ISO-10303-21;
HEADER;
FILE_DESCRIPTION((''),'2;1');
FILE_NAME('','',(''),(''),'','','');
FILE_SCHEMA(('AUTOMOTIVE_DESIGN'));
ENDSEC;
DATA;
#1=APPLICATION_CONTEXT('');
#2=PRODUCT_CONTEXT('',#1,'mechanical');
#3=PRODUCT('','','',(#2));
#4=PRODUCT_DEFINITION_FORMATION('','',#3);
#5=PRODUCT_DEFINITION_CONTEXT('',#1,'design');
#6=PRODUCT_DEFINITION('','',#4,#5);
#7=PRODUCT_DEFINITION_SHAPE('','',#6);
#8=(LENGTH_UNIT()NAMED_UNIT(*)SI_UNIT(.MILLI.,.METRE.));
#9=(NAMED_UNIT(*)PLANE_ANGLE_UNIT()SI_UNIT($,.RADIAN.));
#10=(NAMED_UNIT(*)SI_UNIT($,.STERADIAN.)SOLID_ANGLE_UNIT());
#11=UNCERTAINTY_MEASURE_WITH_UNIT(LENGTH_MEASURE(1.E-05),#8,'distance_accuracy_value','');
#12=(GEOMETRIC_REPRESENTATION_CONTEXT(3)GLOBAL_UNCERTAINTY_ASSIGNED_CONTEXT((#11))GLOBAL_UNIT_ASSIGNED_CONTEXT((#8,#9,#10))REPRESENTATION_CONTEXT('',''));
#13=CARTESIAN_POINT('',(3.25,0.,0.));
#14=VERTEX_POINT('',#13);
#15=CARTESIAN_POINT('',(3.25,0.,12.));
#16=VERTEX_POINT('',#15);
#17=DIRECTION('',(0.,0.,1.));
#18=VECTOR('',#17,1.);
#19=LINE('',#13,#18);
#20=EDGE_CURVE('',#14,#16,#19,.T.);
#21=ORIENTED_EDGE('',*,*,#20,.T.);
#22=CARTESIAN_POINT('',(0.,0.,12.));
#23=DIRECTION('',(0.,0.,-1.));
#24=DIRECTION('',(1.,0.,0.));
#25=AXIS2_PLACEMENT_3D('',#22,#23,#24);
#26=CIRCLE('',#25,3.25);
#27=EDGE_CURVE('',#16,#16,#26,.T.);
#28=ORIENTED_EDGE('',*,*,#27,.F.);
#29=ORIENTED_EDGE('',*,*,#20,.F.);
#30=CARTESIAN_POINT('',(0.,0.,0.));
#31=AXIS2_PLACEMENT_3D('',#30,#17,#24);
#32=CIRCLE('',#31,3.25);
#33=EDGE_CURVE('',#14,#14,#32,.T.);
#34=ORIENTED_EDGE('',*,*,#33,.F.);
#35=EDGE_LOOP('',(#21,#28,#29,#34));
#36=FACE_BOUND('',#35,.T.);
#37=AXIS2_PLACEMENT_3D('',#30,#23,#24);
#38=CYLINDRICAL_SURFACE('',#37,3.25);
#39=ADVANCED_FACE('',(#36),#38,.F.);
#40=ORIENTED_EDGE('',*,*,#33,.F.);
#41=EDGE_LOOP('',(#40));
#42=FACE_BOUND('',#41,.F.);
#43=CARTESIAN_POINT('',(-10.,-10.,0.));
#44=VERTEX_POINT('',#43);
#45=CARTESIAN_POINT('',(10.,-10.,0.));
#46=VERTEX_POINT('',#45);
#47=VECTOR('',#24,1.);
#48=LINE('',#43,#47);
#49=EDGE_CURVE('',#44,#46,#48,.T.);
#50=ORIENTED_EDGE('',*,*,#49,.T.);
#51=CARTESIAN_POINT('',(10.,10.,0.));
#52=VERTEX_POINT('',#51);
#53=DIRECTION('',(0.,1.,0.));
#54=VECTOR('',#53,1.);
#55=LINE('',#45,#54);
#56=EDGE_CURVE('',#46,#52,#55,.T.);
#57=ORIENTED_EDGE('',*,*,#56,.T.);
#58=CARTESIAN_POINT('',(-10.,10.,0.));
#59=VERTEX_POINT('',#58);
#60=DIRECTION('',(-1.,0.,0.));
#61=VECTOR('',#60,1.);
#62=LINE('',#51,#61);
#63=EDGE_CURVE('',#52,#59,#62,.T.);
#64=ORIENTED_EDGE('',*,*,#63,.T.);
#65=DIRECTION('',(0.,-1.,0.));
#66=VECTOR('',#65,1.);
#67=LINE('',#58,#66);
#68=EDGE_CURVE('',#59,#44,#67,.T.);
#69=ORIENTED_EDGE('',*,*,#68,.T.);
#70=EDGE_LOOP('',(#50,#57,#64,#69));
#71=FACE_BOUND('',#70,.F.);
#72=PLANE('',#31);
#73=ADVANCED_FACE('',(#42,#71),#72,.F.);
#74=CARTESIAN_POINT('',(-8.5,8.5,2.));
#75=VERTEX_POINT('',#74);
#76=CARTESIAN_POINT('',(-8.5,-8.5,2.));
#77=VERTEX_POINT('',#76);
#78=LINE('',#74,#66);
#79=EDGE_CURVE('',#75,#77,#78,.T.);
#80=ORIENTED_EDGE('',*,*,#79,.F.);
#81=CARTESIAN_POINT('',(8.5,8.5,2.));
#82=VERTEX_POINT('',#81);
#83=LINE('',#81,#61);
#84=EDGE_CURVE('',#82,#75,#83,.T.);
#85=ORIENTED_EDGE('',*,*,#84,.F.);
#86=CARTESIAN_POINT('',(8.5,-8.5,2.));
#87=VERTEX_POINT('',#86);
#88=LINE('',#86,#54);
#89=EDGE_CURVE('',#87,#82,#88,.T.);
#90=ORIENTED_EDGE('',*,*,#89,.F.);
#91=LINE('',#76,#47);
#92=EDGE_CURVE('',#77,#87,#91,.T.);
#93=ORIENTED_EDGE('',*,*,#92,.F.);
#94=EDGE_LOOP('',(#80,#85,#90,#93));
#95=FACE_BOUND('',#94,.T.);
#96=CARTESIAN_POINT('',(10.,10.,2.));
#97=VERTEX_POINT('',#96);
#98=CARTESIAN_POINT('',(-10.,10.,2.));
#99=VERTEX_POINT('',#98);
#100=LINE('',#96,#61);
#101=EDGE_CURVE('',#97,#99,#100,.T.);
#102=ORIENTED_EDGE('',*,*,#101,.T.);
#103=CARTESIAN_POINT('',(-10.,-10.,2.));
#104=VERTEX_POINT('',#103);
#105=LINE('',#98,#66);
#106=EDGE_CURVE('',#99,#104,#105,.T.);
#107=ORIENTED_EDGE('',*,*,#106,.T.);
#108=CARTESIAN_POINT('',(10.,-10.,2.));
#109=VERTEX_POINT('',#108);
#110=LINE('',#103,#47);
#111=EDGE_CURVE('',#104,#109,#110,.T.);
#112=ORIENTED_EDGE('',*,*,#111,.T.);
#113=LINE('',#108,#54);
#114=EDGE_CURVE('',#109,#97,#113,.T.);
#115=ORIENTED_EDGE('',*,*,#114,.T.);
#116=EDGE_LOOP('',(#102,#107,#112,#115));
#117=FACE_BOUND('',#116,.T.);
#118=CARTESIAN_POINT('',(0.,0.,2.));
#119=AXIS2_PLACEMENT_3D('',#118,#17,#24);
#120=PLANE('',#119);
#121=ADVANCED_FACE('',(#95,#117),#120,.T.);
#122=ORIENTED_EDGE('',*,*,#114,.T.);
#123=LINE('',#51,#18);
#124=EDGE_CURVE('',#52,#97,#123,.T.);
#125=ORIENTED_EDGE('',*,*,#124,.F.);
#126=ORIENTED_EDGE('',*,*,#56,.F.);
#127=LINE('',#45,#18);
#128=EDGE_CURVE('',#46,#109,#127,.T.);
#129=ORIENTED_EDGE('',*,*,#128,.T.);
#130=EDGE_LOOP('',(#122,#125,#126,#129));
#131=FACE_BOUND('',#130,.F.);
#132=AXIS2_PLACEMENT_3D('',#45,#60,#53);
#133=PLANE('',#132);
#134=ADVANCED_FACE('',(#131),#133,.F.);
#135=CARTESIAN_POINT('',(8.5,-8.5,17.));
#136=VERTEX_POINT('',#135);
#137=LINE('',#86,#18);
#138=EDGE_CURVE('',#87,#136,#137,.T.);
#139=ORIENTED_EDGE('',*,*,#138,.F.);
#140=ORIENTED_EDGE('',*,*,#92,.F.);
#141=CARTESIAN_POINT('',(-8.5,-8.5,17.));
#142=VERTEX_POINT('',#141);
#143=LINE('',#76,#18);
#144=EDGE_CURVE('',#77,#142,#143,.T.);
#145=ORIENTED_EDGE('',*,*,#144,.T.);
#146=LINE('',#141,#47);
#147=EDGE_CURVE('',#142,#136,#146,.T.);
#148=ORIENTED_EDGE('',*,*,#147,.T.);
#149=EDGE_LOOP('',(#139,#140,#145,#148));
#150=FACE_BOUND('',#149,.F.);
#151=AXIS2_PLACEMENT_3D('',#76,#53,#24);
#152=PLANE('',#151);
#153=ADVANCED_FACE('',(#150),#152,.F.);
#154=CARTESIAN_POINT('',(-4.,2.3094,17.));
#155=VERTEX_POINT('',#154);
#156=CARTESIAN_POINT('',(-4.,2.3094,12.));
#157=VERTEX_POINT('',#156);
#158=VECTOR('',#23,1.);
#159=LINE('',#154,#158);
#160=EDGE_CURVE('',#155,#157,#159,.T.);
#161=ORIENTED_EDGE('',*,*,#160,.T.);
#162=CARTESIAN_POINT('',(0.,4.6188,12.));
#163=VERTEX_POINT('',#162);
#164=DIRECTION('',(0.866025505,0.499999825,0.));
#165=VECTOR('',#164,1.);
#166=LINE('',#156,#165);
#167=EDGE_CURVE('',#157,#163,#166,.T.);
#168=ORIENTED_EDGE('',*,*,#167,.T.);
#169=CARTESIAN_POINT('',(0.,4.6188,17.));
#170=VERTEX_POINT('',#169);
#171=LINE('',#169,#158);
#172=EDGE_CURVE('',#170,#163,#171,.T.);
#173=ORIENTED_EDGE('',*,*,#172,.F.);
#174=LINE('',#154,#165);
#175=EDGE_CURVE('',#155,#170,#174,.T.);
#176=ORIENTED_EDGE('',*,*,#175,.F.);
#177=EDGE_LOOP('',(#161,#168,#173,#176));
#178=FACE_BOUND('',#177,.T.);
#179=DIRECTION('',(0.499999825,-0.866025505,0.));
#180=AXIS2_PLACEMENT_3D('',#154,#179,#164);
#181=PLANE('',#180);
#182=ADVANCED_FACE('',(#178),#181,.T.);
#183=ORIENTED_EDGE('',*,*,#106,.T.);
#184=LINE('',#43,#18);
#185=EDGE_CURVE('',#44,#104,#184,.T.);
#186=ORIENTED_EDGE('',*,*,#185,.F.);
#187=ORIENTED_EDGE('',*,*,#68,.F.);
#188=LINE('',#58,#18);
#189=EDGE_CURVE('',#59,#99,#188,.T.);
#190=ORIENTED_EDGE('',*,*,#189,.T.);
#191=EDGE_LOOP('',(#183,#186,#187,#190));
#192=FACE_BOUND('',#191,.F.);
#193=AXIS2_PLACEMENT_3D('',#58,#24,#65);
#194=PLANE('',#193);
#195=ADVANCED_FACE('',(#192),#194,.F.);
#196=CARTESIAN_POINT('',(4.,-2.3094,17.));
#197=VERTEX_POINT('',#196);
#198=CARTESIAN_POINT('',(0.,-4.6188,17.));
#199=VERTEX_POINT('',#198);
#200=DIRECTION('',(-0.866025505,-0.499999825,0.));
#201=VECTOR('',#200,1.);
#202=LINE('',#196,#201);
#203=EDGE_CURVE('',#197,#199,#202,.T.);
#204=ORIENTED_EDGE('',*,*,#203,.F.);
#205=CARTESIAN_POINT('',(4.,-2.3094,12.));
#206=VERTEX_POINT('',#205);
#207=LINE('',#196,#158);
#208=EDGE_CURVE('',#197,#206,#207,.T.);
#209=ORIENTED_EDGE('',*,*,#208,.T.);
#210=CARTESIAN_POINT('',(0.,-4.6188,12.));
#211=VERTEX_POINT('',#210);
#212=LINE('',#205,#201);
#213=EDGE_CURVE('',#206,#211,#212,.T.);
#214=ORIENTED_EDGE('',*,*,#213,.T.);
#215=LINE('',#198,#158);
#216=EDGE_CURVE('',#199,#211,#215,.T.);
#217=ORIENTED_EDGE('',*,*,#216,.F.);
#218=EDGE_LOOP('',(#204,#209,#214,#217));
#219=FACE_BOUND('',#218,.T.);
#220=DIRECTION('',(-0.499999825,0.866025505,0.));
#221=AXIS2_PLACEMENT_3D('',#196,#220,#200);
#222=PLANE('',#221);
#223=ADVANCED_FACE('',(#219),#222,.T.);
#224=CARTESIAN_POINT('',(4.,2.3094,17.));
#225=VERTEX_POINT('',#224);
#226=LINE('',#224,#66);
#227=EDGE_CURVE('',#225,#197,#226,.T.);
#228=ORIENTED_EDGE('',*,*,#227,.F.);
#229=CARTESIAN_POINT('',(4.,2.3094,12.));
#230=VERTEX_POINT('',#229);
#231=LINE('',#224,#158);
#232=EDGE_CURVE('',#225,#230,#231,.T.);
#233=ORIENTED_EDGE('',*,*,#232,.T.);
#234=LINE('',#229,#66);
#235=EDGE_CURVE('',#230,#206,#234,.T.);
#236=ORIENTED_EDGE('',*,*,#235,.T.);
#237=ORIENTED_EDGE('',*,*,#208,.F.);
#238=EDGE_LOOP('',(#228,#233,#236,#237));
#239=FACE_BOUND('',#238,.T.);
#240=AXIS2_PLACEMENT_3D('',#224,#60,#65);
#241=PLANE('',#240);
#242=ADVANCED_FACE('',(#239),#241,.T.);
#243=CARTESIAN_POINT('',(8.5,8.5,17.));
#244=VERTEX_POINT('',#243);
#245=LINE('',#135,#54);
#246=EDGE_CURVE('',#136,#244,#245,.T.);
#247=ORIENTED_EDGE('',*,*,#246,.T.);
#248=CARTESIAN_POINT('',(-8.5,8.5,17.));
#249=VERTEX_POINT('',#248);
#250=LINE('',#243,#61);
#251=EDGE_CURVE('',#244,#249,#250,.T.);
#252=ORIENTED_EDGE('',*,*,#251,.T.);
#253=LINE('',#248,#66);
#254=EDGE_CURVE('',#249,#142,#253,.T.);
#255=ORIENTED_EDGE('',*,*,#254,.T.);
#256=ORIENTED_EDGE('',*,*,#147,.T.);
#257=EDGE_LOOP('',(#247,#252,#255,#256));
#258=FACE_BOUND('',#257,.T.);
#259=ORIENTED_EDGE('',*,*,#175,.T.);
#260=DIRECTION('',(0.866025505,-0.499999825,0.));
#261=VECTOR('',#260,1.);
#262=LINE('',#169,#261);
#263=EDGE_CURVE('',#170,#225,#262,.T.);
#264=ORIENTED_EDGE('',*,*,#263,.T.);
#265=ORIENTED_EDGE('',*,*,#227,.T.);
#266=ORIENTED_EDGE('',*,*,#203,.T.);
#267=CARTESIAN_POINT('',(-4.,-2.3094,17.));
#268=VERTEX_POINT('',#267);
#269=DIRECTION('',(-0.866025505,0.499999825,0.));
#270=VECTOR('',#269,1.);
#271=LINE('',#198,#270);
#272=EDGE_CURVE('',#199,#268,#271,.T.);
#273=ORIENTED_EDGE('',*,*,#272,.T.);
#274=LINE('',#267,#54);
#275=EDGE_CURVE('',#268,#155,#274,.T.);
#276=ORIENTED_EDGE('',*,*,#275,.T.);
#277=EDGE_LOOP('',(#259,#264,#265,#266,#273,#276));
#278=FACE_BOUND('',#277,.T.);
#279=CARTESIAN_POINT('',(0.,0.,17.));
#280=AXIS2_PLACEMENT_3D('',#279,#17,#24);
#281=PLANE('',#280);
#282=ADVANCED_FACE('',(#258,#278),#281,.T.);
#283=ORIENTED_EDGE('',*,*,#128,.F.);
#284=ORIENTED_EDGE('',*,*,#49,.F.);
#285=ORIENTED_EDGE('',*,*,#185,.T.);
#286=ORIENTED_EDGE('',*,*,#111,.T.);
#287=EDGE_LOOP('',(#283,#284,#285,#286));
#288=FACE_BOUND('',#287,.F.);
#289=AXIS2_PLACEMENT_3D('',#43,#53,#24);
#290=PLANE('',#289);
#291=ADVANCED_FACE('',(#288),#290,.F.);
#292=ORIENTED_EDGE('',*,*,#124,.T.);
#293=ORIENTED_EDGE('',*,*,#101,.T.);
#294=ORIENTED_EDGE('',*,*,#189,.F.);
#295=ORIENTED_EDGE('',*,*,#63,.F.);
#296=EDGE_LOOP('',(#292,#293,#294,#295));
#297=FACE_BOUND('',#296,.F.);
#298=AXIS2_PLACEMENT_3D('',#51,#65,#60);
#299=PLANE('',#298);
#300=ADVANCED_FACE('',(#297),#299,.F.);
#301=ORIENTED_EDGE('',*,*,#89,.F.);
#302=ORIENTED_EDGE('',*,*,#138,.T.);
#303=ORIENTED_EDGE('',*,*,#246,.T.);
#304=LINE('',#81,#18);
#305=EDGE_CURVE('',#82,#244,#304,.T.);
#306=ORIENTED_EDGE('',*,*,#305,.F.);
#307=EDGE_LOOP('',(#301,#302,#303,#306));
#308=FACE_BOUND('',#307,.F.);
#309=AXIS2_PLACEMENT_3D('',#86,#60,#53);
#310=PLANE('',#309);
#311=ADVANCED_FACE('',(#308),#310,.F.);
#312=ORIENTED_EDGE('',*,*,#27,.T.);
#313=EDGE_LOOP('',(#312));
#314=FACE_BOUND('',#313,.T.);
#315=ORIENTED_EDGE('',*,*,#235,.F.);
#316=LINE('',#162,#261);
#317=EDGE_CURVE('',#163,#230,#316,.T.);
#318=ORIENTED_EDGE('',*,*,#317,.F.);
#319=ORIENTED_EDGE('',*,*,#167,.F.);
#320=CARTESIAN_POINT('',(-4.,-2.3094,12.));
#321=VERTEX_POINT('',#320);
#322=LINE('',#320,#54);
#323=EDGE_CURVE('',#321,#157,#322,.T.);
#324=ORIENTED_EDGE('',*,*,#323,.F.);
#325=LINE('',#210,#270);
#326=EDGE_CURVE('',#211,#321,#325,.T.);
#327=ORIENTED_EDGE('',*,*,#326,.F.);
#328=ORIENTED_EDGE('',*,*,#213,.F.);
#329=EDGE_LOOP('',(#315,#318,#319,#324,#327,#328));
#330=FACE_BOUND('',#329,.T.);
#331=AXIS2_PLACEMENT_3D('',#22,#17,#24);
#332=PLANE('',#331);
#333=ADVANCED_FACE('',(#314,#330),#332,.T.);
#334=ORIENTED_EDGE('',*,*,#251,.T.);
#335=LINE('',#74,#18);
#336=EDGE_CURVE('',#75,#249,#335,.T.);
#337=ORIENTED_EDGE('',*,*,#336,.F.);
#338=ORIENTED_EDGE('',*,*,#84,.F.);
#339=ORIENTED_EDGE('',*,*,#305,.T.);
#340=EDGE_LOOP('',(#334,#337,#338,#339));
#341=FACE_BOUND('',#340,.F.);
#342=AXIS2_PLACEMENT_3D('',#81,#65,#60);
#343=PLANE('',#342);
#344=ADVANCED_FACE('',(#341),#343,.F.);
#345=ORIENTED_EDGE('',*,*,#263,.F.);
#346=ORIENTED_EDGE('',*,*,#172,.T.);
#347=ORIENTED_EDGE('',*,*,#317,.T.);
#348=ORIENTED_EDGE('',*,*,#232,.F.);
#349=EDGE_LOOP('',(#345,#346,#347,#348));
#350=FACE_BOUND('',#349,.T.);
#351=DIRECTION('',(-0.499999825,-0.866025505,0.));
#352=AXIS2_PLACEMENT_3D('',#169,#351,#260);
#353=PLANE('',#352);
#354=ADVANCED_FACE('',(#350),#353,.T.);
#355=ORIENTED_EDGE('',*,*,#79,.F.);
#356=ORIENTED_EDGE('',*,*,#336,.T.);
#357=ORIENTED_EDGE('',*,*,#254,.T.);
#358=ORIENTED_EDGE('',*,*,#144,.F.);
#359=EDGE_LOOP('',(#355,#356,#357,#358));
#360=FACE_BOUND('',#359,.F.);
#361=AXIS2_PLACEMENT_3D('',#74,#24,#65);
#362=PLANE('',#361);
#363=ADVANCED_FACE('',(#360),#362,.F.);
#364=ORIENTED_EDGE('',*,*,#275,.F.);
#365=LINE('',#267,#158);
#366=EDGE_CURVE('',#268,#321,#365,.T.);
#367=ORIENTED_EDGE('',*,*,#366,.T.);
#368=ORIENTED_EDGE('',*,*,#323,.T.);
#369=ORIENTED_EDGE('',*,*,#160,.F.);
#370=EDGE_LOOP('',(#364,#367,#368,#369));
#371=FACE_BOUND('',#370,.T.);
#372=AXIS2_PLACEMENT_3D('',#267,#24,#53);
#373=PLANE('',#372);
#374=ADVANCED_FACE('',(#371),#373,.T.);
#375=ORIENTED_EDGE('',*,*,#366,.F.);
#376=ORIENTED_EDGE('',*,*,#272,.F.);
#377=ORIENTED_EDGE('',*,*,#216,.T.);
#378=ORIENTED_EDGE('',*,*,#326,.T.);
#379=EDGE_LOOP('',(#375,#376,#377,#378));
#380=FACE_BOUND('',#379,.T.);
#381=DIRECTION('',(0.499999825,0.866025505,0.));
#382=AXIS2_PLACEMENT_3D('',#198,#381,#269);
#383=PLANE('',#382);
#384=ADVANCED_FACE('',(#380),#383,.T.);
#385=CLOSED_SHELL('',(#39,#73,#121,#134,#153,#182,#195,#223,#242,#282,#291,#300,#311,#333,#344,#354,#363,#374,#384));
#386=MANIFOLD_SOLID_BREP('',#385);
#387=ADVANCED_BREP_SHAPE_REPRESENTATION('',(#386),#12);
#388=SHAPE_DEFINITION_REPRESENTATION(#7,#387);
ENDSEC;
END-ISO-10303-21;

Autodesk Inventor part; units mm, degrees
ref_plane "YZ Plane" through (0, 0, 0) normal (1, 0, 0) x (0, 1, 0)
ref_plane "XZ Plane" through (0, 0, 0) normal (0, 1, 0) x (-1, 0, 0)
ref_plane "XY Plane" through (0, 0, 0) normal (0, 0, 1) x (1, 0, 0)
sketch "Skizze1" plane through (0, 0, 0) normal (0, 0, 1) x (1, 0, 0)
  circle A0 centre (0, 0) radius 3.25
  line L0 (-10, -10) -> (10, -10)
  line L1 (10, -10) -> (10, 10)
  line L2 (10, 10) -> (-10, 10)
  line L3 (-10, 10) -> (-10, -10)
  line L4 (-10, -10) -> (10, 10) construction
  line L5 (10, -10) -> (-10, 10) construction
  dimension "d0" = 6.5
  dimension "d1" = 20
extrude "Extrusion1" add sketch "Skizze1" along normal blind 2
sketch "Skizze2" plane through (0, 0, 2) normal (0, 0, 1) x (1, 0, 0)
  line L0 (-8.5, -8.5) -> (8.5, -8.5)
  line L1 (8.5, -8.5) -> (8.5, 8.5)
  line L2 (8.5, 8.5) -> (-8.5, 8.5)
  line L3 (-8.5, 8.5) -> (-8.5, -8.5)
  line L4 (-8.5, -8.5) -> (8.5, 8.5) construction
  line L5 (8.5, -8.5) -> (-8.5, 8.5) construction
  circle A0 centre (0, 0) radius 3.25 projected
  dimension "d4" = 17
extrude "Extrusion2" add sketch "Skizze2" along normal blind 15
sketch "Skizze3" plane through (0, 0, 17) normal (0, 0, 1) x (1, 0, 0)
  line L0 (0, 4.6188) -> (4, 2.3094)
  line L1 (4, 2.3094) -> (4, -2.3094)
  line L2 (4, -2.3094) -> (0, -4.6188)
  line L3 (0, -4.6188) -> (-4, -2.3094)
  line L4 (-4, -2.3094) -> (-4, 2.3094)
  line L5 (-4, 2.3094) -> (0, 4.6188)
  point P0 (0, 0)
  point P1 (0, 0)
  dimension "d7" = 8
extrude "Extrusion3" cut sketch "Skizze3" against normal blind 5
properties part number "AlutubeMount"
